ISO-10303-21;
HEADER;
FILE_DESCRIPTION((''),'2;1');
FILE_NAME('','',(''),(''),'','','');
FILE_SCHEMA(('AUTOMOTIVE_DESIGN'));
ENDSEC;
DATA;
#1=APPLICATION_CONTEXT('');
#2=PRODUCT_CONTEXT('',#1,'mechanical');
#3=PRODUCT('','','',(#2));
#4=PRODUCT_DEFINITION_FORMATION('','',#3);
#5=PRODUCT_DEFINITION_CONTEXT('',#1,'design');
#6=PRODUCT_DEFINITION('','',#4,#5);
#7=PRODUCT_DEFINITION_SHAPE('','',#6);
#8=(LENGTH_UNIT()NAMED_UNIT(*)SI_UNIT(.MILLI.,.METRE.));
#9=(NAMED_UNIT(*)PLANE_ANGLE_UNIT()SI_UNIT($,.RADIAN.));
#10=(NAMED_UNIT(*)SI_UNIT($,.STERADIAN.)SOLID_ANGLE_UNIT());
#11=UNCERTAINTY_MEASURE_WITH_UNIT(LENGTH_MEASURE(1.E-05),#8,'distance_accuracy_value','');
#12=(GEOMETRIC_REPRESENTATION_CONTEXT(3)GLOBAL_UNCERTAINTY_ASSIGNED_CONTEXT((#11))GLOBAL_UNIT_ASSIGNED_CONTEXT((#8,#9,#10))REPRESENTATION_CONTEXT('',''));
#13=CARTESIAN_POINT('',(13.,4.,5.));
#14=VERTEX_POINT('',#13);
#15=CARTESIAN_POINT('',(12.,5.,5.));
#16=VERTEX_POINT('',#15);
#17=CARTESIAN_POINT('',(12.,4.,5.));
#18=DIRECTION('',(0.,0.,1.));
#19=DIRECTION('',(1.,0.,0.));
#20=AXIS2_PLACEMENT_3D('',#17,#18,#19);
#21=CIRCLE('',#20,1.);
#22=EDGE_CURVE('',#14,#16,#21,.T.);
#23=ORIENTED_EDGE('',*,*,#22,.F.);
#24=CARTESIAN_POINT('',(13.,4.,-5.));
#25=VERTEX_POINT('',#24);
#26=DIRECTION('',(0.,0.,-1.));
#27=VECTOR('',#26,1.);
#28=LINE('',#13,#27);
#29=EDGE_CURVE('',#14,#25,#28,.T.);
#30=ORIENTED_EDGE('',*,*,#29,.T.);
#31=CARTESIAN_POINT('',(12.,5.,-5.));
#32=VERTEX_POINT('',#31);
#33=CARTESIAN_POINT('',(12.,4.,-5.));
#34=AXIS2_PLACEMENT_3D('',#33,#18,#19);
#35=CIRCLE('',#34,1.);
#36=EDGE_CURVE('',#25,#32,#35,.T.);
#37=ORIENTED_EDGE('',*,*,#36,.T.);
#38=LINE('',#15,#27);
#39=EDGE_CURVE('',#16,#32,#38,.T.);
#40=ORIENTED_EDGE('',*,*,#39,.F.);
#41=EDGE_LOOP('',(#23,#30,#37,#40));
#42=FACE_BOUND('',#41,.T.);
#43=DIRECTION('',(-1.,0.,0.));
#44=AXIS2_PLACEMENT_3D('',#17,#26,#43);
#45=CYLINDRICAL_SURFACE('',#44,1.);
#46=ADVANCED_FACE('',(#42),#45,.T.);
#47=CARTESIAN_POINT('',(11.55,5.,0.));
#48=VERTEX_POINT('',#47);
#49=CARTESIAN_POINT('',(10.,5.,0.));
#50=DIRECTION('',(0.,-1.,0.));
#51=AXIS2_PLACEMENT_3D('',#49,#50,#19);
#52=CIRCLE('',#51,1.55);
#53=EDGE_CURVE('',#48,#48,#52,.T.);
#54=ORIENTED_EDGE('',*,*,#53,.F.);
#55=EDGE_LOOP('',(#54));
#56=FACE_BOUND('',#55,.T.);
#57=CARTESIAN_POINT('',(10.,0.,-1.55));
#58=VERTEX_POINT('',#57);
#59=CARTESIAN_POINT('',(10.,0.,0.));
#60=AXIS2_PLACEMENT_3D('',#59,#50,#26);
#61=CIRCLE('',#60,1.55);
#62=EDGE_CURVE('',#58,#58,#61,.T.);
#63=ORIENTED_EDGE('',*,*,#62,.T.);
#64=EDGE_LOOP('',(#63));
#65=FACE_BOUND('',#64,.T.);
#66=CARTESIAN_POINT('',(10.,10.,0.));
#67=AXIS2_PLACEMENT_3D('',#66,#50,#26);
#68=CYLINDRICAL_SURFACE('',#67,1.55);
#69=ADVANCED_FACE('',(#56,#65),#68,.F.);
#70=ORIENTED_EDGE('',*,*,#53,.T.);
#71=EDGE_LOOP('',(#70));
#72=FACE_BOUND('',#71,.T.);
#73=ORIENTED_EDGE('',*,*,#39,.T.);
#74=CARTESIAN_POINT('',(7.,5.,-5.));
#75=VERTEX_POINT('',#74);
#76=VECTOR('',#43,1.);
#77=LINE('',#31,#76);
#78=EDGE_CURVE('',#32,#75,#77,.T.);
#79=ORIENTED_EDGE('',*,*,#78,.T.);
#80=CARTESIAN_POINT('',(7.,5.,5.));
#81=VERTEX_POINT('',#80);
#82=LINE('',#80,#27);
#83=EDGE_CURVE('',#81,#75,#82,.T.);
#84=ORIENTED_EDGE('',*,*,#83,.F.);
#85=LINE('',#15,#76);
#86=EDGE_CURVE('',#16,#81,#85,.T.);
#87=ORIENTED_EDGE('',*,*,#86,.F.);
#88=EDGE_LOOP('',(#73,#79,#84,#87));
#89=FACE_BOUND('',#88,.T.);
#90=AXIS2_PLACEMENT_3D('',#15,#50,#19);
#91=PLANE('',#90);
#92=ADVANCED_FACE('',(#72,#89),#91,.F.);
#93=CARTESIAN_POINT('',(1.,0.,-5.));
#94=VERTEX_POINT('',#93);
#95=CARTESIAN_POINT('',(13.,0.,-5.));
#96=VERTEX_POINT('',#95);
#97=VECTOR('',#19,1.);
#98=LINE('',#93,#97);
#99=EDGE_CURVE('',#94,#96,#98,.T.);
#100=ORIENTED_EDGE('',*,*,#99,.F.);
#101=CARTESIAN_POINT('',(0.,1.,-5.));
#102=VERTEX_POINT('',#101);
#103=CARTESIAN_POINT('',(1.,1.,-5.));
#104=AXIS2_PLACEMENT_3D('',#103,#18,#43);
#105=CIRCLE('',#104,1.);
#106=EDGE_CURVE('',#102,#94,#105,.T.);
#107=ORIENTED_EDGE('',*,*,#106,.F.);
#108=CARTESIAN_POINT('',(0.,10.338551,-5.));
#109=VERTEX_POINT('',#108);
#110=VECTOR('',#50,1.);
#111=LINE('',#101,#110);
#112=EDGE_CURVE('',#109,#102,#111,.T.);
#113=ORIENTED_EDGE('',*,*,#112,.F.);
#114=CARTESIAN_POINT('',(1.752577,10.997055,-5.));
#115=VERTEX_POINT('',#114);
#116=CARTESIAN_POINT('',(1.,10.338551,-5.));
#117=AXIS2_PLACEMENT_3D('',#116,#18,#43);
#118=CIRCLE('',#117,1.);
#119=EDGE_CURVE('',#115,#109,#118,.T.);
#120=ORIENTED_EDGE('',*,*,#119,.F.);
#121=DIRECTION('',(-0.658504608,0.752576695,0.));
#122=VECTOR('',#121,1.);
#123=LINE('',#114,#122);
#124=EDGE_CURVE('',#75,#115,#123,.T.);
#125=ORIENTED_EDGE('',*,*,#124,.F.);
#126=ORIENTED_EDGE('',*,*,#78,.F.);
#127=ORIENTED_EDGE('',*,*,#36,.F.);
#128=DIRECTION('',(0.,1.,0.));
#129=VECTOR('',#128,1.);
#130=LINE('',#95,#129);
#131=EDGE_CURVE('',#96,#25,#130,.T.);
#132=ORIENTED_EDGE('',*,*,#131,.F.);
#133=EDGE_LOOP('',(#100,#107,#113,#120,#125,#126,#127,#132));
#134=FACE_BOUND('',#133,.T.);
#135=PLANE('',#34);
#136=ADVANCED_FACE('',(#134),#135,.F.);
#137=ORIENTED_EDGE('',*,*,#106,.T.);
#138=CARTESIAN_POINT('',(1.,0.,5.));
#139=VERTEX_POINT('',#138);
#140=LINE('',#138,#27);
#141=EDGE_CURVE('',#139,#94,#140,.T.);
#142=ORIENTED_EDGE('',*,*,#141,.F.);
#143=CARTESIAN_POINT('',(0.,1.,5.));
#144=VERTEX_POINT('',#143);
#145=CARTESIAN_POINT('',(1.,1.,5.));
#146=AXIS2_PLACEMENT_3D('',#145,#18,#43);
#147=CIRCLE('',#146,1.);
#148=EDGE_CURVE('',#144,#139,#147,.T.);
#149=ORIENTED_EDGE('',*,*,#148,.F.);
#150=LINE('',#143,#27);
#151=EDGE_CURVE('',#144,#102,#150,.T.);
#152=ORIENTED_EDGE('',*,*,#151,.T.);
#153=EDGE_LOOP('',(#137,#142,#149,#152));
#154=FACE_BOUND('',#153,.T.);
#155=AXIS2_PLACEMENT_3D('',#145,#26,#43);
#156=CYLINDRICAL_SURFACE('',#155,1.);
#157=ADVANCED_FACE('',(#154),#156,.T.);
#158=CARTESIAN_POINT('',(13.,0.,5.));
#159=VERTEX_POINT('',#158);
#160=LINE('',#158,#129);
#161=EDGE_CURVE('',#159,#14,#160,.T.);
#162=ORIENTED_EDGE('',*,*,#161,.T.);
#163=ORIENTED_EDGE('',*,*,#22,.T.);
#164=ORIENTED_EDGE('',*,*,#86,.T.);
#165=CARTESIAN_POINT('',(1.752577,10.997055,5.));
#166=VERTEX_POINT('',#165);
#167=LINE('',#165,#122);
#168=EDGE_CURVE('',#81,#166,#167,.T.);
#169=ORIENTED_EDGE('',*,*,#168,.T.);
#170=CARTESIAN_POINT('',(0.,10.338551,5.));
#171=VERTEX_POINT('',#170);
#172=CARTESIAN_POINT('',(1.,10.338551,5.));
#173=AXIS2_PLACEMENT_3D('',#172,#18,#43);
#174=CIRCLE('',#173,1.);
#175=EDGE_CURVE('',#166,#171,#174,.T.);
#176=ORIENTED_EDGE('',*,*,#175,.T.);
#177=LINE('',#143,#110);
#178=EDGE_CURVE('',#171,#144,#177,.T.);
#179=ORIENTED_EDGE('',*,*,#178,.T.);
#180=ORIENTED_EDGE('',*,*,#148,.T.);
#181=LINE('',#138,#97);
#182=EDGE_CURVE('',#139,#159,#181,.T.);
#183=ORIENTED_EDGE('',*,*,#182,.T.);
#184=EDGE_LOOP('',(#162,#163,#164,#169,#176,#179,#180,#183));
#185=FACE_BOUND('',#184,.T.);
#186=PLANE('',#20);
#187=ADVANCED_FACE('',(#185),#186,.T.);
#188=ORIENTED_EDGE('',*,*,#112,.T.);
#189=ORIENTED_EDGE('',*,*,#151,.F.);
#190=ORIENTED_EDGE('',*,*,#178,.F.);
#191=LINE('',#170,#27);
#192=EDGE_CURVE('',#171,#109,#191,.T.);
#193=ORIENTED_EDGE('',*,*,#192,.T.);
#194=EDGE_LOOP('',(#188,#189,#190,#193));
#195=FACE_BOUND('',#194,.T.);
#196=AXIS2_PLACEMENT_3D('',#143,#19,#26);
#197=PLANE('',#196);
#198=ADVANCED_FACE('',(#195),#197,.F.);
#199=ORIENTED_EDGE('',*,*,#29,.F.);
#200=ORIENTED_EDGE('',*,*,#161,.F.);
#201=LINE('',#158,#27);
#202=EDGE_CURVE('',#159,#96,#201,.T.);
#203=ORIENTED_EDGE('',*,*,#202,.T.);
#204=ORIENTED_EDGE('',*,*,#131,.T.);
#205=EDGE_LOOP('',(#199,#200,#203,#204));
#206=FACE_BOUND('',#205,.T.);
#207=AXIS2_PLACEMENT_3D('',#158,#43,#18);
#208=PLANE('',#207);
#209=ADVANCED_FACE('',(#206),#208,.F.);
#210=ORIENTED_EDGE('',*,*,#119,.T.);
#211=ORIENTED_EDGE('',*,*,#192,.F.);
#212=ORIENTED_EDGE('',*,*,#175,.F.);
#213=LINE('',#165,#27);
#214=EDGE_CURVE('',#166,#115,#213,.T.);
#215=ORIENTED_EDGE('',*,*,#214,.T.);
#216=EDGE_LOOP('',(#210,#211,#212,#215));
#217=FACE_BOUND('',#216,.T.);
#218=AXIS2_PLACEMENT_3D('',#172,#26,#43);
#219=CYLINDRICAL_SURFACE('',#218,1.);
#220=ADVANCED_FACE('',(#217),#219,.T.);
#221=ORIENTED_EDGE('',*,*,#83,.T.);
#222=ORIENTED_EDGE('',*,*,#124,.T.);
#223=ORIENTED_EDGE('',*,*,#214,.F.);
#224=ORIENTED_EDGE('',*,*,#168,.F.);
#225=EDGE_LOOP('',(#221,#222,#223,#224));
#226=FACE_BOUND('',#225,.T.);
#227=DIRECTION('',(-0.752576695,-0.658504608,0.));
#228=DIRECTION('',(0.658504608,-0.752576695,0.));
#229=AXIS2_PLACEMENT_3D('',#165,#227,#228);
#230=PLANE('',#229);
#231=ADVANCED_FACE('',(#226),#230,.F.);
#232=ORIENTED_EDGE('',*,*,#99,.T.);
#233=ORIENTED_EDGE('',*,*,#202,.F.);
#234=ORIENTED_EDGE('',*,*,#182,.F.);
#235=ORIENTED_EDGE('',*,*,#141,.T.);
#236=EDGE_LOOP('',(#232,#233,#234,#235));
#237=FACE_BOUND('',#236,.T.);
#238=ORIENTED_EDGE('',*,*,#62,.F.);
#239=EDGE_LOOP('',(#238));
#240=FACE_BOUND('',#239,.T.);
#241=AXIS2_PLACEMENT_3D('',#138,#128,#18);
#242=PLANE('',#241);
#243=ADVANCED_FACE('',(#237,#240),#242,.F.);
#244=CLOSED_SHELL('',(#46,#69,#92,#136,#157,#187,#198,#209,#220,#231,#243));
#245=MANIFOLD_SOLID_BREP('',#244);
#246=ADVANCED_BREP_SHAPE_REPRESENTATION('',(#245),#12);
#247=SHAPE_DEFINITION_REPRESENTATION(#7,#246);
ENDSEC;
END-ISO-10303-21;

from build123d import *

# Parameters (mm, degrees)
BOSS_EXTRUDE1_DEPTH = 5
SKETCH2_R           = 1.55
CUT_EXTRUDE1_DEPTH  = 10


with BuildPart() as part:
    # Sketch1 → Boss-Extrude1 (new, symmetric)
    with BuildSketch(Plane.XY):
        with BuildLine():
            Line((1, 0), (13, 0))
            Line((13, 0), (13, 4))
            ThreePointArc((13, 4), (12.707106781, 4.707106781), (12, 5))
            Line((12, 5), (7, 5))
            Line((7, 5), (1.752576695, 10.997055206))
            ThreePointArc((1.752576695, 10.997055206), (0.648273327, 11.274653342), (0, 10.338550598))
            Line((0, 10.338550598), (0, 1))
            ThreePointArc((0, 1), (0.292893219, 0.292893219), (1, 0))
        make_face()
    extrude(amount=BOSS_EXTRUDE1_DEPTH, both=True)

    # Sketch2 → Cut-Extrude1 (cut)
    with BuildSketch(Plane.XZ):
        with Locations(Location((10, 0, 0), (0, 0, 270))):
            Circle(SKETCH2_R)
    extrude(amount=-CUT_EXTRUDE1_DEPTH, mode=Mode.SUBTRACT)


solid = part.part
